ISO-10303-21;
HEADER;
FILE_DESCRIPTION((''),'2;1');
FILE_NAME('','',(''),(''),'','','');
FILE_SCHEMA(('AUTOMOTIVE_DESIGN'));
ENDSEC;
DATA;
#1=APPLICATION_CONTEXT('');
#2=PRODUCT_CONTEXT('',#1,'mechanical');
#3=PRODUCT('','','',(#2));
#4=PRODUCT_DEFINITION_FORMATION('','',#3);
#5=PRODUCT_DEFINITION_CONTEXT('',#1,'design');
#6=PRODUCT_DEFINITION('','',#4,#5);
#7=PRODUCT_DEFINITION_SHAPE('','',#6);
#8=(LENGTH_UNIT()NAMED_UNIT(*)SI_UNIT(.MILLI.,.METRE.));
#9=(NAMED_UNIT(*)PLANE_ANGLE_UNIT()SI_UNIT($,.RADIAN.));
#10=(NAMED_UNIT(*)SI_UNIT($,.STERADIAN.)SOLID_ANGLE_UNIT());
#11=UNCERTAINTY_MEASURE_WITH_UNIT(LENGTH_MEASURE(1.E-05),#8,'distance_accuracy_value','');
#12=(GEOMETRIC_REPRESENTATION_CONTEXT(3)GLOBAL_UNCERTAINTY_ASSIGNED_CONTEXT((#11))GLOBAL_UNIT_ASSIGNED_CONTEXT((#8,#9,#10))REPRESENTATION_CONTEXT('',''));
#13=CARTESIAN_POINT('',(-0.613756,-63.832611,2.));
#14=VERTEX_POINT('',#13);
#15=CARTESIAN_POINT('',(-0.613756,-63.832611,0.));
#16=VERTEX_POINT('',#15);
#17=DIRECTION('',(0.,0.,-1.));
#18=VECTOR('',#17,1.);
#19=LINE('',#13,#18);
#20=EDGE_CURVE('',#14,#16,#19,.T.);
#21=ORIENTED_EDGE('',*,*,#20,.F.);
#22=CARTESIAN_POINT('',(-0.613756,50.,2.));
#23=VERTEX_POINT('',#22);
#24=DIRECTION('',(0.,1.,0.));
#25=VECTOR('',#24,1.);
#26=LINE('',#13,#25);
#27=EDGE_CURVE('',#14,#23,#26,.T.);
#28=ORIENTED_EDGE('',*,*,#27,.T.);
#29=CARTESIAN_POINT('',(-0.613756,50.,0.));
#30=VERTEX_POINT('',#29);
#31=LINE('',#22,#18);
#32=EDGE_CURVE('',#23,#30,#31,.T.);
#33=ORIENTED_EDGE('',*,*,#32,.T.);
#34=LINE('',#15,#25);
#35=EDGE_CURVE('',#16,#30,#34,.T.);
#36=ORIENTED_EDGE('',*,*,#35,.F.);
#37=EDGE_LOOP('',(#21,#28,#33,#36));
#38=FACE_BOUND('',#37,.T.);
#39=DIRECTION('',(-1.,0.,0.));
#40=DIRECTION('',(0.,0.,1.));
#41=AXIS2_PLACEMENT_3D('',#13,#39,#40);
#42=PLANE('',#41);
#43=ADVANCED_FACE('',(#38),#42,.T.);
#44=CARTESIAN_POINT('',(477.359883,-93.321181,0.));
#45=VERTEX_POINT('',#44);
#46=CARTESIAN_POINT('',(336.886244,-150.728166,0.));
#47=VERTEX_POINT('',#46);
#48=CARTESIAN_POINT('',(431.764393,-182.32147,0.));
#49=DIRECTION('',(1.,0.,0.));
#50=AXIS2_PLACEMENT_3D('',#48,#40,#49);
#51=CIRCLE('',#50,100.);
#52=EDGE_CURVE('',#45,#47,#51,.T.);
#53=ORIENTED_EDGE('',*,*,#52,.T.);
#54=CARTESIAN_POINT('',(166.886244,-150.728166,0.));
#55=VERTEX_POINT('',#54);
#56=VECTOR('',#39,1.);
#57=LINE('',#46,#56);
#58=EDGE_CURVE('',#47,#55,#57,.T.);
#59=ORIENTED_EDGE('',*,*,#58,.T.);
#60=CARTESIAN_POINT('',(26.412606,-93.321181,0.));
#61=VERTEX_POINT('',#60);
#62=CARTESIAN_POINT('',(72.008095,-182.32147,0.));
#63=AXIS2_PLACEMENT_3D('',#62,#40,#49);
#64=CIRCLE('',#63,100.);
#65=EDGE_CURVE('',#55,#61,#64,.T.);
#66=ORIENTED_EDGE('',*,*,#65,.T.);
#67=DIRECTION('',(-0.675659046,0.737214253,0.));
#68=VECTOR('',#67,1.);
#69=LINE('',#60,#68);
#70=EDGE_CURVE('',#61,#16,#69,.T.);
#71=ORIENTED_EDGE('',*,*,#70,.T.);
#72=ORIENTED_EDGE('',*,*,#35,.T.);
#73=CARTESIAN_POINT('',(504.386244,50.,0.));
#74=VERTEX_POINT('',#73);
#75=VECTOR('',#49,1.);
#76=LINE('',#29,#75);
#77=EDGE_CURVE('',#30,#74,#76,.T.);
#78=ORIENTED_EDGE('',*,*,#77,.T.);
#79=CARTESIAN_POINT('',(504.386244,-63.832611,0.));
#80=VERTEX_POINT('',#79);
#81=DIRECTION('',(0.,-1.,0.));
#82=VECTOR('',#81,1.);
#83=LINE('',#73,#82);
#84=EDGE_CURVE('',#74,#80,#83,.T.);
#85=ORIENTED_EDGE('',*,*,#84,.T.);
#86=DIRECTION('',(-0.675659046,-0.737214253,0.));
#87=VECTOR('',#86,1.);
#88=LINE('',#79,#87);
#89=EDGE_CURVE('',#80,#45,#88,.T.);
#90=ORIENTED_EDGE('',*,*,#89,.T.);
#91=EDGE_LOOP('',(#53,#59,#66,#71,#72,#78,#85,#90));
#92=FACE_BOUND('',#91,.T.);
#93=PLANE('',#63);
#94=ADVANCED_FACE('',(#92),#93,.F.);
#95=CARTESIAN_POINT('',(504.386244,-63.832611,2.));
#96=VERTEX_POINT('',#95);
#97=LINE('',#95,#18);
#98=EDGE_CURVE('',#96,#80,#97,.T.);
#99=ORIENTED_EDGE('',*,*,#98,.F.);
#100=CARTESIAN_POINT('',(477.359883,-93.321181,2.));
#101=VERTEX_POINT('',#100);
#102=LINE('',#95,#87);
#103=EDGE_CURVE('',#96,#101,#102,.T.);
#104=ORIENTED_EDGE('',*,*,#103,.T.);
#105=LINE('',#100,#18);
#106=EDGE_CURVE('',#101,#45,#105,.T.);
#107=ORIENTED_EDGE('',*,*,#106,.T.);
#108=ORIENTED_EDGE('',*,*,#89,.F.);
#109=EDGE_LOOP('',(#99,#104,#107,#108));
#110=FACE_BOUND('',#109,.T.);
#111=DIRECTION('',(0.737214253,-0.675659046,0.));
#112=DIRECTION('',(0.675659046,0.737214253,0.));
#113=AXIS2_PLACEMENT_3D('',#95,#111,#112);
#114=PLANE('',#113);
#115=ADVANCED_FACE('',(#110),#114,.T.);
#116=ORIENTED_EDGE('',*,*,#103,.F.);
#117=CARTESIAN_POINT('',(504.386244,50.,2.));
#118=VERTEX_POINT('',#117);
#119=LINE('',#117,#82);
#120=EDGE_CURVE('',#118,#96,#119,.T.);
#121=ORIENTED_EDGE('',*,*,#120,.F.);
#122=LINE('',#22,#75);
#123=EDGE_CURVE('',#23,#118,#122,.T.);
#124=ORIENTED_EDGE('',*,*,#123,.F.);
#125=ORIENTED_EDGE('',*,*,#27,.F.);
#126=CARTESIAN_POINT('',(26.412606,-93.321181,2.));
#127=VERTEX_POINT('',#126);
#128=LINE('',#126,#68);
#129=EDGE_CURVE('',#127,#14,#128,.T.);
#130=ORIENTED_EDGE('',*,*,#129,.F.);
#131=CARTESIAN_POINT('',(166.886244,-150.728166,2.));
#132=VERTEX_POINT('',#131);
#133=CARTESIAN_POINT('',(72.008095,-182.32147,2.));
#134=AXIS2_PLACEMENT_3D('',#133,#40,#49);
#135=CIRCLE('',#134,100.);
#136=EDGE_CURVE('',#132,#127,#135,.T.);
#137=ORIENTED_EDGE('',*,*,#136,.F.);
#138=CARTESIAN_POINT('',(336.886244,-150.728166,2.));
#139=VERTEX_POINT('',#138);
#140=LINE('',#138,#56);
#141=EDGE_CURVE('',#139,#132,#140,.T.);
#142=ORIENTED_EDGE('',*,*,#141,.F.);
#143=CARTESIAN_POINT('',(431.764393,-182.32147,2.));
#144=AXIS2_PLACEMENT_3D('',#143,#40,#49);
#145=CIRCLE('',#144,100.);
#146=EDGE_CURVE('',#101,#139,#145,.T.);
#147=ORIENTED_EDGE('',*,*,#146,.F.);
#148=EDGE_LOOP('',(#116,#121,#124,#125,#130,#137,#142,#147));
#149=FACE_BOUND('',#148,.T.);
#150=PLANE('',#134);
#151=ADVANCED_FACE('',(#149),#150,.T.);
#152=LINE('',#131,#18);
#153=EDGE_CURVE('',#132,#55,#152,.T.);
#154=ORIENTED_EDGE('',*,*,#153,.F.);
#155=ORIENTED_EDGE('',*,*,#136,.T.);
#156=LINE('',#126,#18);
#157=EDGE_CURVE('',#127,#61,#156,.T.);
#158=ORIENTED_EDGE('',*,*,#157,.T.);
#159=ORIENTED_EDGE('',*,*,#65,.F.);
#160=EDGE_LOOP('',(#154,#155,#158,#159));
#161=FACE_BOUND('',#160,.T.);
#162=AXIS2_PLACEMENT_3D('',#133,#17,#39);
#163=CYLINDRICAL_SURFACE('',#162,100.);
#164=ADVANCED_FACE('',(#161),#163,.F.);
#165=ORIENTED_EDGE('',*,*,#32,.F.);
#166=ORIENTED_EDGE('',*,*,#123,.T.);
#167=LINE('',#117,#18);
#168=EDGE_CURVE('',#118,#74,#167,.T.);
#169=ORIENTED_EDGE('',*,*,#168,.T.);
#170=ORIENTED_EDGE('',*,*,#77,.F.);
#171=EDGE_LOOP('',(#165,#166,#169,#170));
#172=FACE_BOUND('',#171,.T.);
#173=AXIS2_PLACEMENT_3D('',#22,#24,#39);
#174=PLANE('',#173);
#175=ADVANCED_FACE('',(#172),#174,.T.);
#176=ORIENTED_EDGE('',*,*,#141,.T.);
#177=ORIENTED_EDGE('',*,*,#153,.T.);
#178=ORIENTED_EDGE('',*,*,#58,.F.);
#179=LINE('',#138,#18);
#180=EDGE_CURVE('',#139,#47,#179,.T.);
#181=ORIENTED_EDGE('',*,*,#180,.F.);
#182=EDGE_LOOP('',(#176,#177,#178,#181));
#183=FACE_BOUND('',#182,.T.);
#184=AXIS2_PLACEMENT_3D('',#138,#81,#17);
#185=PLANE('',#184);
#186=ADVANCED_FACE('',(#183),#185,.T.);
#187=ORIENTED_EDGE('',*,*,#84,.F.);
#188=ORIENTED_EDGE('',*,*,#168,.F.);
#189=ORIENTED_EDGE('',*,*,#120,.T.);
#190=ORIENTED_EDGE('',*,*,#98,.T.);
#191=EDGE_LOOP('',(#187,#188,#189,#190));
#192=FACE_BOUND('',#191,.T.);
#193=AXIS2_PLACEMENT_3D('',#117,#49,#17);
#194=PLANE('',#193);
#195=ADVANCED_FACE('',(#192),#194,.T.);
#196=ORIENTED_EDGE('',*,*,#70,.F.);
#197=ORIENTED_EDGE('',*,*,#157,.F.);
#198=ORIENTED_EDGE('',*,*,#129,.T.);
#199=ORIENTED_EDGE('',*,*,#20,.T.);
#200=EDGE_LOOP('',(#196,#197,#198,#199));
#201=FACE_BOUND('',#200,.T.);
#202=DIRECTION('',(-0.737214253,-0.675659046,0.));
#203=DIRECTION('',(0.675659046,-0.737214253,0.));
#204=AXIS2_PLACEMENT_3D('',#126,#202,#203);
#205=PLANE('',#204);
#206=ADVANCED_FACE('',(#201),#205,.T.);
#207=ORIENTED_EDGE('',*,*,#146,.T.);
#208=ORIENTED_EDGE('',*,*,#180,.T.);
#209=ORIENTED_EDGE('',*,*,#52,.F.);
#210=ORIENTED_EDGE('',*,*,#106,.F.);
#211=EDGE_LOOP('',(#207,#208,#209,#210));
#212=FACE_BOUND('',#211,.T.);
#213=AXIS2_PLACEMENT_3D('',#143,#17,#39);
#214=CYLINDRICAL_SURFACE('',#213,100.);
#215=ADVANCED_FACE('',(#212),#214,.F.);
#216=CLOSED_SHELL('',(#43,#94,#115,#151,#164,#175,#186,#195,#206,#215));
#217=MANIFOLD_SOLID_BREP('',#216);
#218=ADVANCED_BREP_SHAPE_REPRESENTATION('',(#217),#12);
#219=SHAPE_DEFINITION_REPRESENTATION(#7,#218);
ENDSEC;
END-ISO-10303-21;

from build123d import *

# Parameters (mm, degrees)
BOSS_EXTRUDE1_DEPTH = 2


with BuildPart() as part:
    # Sketch1 → Boss-Extrude1 (new body)
    with BuildSketch(Plane(origin=(0, 0, 0), x_dir=(-1, 0, 0), z_dir=(0, 0, -1))):
        with BuildLine():
            Line((-26.412606162, -93.321181126), (0.613755662, -63.832611026))
            Line((0.613755662, -63.832611026), (0.613755662, 50))
            Line((0.613755662, 50), (-504.386244338, 50))
            Line((-504.386244338, 50), (-504.386244338, -63.832611026))
            Line((-504.386244338, -63.832611026), (-477.359882514, -93.321181126))
            ThreePointArc((-477.359882514, -93.321181126), (-393.934701104, -89.753038855), (-336.886244338, -150.72816586))
            Line((-336.886244338, -150.72816586), (-166.886244338, -150.72816586))
            ThreePointArc((-166.886244338, -150.72816586), (-109.837787572, -89.753038855), (-26.412606162, -93.321181126))
        make_face()
    extrude(amount=-BOSS_EXTRUDE1_DEPTH)


solid = part.part
